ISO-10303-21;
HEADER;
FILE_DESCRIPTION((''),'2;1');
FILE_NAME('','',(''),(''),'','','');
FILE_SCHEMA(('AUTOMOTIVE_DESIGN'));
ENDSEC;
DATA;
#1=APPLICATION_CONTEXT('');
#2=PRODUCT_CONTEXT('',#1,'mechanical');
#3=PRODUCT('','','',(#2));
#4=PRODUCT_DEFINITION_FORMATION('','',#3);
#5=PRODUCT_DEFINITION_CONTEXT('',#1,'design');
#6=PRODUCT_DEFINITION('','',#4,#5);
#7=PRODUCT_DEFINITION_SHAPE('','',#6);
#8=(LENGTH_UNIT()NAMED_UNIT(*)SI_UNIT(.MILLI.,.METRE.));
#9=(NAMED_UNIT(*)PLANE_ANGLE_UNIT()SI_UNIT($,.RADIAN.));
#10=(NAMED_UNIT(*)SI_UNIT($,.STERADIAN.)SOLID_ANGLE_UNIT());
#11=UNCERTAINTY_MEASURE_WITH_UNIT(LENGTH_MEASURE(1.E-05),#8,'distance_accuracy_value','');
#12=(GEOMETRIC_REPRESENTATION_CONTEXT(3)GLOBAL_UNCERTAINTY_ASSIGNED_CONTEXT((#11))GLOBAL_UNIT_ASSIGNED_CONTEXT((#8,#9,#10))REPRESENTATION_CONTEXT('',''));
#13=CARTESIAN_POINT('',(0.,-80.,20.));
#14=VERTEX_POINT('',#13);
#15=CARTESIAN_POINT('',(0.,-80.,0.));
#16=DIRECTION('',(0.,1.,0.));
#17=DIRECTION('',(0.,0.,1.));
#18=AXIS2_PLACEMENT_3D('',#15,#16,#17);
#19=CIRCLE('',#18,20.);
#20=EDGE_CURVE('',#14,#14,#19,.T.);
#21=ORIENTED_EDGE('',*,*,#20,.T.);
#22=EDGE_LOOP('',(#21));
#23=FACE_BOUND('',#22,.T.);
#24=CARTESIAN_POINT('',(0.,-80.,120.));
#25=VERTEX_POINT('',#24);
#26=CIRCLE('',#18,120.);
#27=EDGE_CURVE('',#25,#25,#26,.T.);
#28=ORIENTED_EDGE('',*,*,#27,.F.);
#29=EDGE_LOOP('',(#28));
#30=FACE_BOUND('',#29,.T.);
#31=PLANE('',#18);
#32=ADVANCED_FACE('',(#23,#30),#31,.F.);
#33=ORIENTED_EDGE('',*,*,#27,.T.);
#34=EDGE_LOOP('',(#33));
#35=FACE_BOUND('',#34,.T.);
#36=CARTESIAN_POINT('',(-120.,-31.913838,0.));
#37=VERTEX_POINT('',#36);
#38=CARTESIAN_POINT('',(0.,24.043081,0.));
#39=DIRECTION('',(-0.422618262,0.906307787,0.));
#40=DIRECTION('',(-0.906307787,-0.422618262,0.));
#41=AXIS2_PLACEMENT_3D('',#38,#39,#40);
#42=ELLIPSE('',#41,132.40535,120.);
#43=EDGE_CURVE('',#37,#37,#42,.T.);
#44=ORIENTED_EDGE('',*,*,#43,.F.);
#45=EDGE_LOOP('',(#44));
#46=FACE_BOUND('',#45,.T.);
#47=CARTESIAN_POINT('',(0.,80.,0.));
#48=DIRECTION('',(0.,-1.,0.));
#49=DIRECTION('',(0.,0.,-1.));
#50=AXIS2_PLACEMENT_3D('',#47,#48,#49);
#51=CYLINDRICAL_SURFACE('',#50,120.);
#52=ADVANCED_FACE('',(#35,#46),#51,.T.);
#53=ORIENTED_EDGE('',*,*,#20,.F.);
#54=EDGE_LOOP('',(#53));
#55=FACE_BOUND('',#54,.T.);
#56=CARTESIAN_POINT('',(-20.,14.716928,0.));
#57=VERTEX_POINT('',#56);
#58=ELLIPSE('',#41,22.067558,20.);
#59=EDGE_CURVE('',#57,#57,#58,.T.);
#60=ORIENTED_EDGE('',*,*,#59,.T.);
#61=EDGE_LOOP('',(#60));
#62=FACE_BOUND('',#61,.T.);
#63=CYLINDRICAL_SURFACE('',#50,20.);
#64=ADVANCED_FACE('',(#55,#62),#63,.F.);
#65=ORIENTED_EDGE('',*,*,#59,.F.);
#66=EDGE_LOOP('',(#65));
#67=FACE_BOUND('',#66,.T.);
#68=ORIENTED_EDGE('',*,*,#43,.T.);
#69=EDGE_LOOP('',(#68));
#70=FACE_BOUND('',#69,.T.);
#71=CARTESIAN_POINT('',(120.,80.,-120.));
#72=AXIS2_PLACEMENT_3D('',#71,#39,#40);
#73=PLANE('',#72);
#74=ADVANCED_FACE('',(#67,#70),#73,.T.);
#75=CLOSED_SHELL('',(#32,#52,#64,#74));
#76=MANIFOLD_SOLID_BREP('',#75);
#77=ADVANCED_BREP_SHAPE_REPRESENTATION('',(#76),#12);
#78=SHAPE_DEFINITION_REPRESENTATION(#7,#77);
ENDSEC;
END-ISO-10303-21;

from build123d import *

# Parameters (mm, degrees)
SKETCH1_R               = 120
SKETCH1_R_2             = 20
BOSS_EXTRUDE1_DEPTH     = 80
CUT_EXTRUDE1_DEPTH      = 188.616630393
CUT_EXTRUDE1_DEPTH_BACK = 188.616630393


with BuildPart() as part:
    # Sketch1 → Boss-Extrude1 (new, symmetric)
    with BuildSketch(Plane(origin=(0, 0, 0), x_dir=(1, 0, 0), z_dir=(0, 1, 0))):
        with Locations(Location((0, 0, 0), (0, 0, 270))):
            Circle(SKETCH1_R)
        with Locations(Location((0, 0, 0), (0, 0, 270))):
            Circle(SKETCH1_R_2, mode=Mode.SUBTRACT)
    extrude(amount=BOSS_EXTRUDE1_DEPTH, both=True)

    # Sketch2 → Cut-Extrude1 (cut, two sides: drawn at the far end of the back side and taken through both)
    with BuildSketch(Plane.XY.offset(-CUT_EXTRUDE1_DEPTH_BACK)):
        Polygon((-120, -31.913837957), (-120, 80), (120, 80), align=None)
    extrude(amount=CUT_EXTRUDE1_DEPTH + CUT_EXTRUDE1_DEPTH_BACK, mode=Mode.SUBTRACT)


solid = part.part
